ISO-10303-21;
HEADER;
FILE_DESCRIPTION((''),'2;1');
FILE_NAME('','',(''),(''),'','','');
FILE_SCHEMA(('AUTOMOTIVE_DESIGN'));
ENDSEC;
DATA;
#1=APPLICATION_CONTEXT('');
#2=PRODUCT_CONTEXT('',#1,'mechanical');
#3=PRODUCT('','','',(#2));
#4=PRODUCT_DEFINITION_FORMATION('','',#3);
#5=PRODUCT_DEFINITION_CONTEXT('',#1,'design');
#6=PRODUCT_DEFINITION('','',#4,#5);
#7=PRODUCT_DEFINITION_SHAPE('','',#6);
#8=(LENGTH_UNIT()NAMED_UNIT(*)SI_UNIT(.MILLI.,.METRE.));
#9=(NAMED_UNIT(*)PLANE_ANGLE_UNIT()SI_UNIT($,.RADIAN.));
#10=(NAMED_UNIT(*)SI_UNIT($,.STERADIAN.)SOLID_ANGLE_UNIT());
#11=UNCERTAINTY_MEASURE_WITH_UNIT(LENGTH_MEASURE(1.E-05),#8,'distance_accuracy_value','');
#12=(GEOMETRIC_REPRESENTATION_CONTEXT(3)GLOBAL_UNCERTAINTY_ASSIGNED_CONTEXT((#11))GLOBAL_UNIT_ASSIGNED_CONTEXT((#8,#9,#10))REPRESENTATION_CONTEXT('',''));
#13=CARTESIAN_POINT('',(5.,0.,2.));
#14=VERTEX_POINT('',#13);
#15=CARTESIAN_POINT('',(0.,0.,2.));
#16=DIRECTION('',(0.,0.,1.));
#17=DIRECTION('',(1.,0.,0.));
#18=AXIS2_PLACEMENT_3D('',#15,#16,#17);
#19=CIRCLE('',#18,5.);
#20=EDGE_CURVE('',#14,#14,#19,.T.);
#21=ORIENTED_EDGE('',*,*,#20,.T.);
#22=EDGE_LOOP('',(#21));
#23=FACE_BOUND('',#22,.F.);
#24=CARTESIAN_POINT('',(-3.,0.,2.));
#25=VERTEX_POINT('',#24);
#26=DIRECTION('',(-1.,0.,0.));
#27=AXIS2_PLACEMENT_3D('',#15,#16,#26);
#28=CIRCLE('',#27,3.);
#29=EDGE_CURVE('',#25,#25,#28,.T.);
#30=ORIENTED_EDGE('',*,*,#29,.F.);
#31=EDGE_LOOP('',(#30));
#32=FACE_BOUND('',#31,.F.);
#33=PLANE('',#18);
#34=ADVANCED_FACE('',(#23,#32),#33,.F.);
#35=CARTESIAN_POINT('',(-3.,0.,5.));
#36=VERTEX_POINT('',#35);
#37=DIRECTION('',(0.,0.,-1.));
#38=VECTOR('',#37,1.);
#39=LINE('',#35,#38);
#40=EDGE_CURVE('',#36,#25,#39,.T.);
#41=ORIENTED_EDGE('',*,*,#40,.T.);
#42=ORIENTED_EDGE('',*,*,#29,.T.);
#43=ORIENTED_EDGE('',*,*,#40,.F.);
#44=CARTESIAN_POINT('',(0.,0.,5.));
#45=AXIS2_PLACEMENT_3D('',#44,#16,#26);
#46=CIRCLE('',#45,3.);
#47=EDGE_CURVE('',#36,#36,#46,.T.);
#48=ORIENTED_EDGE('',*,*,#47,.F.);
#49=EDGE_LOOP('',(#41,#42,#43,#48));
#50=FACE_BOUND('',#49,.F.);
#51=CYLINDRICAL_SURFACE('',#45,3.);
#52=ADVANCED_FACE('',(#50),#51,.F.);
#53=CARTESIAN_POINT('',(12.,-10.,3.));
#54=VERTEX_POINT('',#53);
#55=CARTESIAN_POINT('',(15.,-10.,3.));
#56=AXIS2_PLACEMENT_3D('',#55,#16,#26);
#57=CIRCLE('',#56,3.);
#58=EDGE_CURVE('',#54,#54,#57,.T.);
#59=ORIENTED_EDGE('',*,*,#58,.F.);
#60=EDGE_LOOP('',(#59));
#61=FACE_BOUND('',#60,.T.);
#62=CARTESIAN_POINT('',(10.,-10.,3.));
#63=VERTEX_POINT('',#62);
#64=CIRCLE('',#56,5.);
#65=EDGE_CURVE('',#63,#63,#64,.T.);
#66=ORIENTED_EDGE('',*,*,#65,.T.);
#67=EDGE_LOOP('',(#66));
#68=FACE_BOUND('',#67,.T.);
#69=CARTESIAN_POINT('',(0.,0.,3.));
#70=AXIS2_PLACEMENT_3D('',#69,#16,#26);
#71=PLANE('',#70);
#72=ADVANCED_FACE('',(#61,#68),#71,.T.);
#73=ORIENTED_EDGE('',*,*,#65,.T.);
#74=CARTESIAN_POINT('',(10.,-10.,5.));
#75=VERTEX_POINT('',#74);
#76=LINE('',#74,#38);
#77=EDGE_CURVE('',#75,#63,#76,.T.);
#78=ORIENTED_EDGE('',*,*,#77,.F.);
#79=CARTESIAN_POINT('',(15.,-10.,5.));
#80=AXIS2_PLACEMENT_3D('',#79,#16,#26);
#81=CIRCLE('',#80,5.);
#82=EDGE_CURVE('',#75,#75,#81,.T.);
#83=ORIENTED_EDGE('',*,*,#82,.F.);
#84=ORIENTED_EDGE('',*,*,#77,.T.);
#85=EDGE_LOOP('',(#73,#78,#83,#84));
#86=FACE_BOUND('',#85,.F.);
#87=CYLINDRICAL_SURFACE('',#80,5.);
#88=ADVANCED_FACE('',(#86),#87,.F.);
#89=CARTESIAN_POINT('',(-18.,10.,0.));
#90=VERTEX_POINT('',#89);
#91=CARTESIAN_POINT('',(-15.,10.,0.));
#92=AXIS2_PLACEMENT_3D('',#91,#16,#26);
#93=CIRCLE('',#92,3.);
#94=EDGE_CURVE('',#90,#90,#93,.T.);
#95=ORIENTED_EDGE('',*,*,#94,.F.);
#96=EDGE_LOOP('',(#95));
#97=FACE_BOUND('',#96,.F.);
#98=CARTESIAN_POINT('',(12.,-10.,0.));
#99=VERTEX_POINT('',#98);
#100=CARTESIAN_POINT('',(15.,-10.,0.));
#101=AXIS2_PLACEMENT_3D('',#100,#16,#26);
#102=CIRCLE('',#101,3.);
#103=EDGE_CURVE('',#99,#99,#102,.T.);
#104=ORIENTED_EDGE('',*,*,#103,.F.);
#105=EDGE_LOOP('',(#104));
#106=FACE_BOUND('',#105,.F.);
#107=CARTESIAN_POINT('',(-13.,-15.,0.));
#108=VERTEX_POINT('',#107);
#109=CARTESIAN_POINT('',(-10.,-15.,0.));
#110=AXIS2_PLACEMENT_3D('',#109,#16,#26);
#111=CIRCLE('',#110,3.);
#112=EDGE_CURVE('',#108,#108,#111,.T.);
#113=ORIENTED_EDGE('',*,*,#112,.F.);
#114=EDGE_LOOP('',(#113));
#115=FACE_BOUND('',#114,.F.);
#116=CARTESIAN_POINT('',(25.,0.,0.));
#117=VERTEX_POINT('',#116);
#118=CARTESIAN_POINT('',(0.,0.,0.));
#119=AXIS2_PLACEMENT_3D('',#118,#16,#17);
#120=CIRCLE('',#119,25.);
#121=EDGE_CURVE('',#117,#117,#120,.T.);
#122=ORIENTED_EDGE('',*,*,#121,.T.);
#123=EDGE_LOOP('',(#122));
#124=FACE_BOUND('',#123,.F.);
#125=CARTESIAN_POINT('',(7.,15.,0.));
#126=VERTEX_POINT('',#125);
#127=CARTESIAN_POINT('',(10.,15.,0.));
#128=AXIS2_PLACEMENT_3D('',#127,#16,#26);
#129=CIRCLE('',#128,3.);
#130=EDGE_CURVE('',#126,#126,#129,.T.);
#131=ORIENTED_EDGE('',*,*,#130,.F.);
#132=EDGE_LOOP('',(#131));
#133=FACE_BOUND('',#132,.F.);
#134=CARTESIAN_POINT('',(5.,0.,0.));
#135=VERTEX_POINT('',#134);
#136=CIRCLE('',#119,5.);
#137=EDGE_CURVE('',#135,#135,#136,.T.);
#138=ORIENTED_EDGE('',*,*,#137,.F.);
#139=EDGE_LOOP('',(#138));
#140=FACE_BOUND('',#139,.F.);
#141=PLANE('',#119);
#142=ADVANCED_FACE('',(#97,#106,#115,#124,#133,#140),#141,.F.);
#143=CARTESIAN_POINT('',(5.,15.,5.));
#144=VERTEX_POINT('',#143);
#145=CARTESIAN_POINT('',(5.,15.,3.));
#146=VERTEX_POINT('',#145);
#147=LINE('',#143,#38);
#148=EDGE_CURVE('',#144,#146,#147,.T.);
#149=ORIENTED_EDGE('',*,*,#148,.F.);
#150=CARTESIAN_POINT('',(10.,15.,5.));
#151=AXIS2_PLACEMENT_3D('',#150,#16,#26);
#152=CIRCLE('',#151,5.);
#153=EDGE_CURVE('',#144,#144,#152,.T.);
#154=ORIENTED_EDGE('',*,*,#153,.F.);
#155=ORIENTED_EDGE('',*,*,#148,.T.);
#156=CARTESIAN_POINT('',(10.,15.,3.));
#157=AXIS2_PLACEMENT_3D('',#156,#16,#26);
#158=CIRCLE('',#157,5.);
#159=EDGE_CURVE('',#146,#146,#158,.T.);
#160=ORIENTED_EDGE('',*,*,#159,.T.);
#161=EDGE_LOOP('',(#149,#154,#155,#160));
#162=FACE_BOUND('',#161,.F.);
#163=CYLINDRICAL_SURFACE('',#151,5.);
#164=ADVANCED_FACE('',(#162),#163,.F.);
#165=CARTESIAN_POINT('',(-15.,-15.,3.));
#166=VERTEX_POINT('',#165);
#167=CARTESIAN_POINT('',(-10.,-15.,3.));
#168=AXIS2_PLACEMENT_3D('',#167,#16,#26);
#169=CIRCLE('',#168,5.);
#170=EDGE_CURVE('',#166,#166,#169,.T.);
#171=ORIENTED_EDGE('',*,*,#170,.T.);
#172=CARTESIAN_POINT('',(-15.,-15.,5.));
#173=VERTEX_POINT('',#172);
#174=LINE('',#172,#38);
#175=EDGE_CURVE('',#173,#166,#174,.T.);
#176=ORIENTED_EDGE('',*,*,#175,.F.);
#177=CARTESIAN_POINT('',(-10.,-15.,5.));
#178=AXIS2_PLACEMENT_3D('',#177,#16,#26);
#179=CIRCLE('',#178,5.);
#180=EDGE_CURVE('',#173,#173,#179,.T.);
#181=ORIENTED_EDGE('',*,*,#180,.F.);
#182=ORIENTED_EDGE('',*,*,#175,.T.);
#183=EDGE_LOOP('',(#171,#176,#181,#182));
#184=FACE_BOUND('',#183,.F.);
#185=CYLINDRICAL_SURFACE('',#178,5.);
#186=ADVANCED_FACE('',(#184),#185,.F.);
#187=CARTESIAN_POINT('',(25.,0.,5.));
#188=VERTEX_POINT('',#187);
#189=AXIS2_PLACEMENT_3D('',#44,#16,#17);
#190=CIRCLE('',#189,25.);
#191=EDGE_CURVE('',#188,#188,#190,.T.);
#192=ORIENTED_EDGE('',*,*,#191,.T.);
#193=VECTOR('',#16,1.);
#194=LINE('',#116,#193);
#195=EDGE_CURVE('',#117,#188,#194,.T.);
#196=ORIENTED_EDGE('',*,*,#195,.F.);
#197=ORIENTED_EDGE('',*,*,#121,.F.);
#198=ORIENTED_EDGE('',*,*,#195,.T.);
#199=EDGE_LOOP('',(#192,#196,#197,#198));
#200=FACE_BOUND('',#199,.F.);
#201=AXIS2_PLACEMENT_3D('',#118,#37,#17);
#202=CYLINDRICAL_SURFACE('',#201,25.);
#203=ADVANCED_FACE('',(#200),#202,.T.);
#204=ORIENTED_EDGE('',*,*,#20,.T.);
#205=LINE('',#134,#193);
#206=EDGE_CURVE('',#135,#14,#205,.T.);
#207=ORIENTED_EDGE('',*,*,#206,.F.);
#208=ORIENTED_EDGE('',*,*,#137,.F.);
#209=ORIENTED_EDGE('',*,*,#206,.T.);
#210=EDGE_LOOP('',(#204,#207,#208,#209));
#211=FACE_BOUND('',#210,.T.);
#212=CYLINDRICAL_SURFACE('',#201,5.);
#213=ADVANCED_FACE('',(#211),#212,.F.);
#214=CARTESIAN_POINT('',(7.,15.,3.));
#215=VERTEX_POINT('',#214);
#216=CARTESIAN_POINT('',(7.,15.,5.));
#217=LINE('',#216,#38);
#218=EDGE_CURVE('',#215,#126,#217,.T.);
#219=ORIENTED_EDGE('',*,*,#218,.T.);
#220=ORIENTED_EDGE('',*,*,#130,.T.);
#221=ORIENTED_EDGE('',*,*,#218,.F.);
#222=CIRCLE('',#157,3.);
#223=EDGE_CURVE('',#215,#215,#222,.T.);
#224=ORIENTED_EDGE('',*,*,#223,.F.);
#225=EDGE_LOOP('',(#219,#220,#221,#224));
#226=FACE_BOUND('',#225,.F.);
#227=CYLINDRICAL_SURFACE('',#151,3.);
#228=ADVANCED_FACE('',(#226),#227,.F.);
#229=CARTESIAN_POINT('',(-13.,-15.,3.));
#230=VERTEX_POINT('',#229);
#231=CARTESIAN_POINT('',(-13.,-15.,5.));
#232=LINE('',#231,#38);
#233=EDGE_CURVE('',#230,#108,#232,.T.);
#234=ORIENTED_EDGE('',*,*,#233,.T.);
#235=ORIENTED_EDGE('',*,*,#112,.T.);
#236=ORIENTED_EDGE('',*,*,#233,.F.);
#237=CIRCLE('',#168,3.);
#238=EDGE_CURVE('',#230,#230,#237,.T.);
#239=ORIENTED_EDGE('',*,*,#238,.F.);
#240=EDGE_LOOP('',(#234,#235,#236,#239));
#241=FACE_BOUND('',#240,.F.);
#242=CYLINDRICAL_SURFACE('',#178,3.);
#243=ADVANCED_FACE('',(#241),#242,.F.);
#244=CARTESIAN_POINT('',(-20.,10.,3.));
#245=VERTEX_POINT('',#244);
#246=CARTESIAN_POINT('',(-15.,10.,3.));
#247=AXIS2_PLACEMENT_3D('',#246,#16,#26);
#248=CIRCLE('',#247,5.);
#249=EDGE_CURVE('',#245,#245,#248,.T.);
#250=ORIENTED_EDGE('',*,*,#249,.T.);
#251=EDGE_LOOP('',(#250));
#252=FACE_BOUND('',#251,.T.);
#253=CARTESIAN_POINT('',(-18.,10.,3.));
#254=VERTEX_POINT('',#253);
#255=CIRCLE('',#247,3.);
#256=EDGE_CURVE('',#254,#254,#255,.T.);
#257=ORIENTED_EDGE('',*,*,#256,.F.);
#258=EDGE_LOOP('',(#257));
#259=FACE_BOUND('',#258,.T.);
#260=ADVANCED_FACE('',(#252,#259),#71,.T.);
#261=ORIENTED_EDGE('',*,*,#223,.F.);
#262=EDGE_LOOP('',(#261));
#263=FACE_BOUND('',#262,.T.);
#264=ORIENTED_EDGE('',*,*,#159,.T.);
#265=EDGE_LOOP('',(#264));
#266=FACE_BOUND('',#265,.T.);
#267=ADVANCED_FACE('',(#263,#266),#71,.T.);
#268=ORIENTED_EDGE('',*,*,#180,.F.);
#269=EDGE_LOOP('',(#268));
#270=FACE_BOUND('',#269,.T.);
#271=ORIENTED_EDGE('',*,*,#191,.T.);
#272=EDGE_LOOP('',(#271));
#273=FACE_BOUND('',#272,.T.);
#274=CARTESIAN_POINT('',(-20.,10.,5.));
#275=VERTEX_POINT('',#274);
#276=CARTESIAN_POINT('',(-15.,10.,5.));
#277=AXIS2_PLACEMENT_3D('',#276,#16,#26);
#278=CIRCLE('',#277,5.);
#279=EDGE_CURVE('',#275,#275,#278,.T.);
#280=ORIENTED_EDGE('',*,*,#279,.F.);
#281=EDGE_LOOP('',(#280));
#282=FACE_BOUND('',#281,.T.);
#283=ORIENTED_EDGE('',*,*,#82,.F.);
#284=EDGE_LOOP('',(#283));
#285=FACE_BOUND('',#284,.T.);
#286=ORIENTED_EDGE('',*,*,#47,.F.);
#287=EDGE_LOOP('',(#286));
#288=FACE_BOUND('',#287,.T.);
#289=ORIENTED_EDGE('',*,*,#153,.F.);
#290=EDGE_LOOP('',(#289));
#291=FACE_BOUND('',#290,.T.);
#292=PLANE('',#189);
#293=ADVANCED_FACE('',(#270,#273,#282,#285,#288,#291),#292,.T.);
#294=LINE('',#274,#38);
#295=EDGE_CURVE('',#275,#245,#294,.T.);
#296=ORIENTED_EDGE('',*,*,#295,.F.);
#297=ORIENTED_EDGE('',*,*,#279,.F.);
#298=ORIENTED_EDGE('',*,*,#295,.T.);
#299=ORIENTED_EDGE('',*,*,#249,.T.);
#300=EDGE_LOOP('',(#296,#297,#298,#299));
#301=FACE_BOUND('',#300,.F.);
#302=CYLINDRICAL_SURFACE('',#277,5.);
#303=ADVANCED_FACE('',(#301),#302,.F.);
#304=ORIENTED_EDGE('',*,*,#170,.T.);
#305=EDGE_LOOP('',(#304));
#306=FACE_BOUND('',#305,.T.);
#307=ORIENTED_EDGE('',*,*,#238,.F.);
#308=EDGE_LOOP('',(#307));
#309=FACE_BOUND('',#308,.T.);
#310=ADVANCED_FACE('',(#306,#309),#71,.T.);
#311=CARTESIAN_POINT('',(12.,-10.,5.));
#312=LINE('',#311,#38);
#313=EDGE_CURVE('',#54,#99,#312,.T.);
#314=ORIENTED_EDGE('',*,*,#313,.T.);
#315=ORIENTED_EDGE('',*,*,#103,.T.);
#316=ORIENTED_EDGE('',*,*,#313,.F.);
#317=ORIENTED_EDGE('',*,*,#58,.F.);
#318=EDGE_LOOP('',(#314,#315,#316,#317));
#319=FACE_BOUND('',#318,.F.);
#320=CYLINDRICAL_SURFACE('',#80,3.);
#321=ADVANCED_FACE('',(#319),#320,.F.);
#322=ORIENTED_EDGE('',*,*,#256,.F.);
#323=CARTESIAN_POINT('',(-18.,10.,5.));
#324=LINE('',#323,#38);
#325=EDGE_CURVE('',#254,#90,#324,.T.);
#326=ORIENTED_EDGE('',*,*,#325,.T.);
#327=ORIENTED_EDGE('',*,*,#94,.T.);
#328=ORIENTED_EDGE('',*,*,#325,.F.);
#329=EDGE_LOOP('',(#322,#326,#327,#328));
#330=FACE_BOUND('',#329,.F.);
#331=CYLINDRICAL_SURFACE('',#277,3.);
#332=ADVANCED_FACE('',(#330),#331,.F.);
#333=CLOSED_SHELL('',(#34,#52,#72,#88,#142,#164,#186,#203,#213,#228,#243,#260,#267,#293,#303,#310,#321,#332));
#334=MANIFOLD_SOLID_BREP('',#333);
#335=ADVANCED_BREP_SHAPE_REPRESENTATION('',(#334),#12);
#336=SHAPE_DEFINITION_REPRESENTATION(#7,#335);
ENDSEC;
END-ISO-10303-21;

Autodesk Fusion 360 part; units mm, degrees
sketch "Sketch1" plane through (0, 0, 0) normal (0, 0, 1) x (1, 0, 0)
  circle A0 centre (0, 0) radius 25
  dimension "d1" = 50
extrude "Extrude1" add sketch "Sketch1" along normal blind 5
sketch "Sketch2" plane through (0, 0, 5) normal (0, 0, 1) x (-1, 0, 0)
  circle A0 centre (0, 0) radius 25
  circle A1 centre (15, -10) radius 3
  circle A2 centre (-10, -15) radius 3
  circle A3 centre (-15, 10) radius 3
  circle A4 centre (10, 15) radius 3
  dimension "d4" = 6
  dimension "d5" = 6
  dimension "d6" = 6
  dimension "d7" = 6
extrude "Extrude2" cut sketch "Sketch2" against normal blind 5 contours A1 | A2 | A3 | A4
sketch "Sketch3" plane through (0, 0, 5) normal (0, 0, 1) x (-1, 0, 0)
  circle A0 centre (-10, -15) radius 3
  circle A1 centre (-15, 10) radius 3
  circle A2 centre (15, -10) radius 3
  circle A3 centre (10, 15) radius 3
  circle A4 centre (0, 0) radius 25
  circle A5 centre (15, -10) radius 5
  circle A6 centre (-10, -15) radius 5
  circle A7 centre (-15, 10) radius 5
  circle A8 centre (10, 15) radius 5
  dimension "d10" = 10
  dimension "d11" = 10
  dimension "d12" = 10
  dimension "d13" = 10
extrude "Extrude3" cut sketch "Sketch3" against normal blind 2 contours A5 | A6 | A7 | A8
sketch "Sketch4" plane through (0, 0, 5) normal (0, 0, 1) x (-1, 0, 0)
  circle A0 centre (-10, -15) radius 5
  circle A1 centre (-15, 10) radius 5
  circle A2 centre (15, -10) radius 5
  circle A3 centre (10, 15) radius 5
  circle A4 centre (0, 0) radius 25
  circle A5 centre (0, 0) radius 3
  dimension "d16" = 6
extrude "Extrude4" cut sketch "Sketch4" against normal blind 21 contours A5
sketch "Sketch5" plane through (0, 0, 0) normal (0, 0, 1) x (1, 0, 0)
  circle A0 centre (0, 0) radius 5
  dimension "d19" = 10
extrude "Extrude5" cut sketch "Sketch5" along normal blind 2
